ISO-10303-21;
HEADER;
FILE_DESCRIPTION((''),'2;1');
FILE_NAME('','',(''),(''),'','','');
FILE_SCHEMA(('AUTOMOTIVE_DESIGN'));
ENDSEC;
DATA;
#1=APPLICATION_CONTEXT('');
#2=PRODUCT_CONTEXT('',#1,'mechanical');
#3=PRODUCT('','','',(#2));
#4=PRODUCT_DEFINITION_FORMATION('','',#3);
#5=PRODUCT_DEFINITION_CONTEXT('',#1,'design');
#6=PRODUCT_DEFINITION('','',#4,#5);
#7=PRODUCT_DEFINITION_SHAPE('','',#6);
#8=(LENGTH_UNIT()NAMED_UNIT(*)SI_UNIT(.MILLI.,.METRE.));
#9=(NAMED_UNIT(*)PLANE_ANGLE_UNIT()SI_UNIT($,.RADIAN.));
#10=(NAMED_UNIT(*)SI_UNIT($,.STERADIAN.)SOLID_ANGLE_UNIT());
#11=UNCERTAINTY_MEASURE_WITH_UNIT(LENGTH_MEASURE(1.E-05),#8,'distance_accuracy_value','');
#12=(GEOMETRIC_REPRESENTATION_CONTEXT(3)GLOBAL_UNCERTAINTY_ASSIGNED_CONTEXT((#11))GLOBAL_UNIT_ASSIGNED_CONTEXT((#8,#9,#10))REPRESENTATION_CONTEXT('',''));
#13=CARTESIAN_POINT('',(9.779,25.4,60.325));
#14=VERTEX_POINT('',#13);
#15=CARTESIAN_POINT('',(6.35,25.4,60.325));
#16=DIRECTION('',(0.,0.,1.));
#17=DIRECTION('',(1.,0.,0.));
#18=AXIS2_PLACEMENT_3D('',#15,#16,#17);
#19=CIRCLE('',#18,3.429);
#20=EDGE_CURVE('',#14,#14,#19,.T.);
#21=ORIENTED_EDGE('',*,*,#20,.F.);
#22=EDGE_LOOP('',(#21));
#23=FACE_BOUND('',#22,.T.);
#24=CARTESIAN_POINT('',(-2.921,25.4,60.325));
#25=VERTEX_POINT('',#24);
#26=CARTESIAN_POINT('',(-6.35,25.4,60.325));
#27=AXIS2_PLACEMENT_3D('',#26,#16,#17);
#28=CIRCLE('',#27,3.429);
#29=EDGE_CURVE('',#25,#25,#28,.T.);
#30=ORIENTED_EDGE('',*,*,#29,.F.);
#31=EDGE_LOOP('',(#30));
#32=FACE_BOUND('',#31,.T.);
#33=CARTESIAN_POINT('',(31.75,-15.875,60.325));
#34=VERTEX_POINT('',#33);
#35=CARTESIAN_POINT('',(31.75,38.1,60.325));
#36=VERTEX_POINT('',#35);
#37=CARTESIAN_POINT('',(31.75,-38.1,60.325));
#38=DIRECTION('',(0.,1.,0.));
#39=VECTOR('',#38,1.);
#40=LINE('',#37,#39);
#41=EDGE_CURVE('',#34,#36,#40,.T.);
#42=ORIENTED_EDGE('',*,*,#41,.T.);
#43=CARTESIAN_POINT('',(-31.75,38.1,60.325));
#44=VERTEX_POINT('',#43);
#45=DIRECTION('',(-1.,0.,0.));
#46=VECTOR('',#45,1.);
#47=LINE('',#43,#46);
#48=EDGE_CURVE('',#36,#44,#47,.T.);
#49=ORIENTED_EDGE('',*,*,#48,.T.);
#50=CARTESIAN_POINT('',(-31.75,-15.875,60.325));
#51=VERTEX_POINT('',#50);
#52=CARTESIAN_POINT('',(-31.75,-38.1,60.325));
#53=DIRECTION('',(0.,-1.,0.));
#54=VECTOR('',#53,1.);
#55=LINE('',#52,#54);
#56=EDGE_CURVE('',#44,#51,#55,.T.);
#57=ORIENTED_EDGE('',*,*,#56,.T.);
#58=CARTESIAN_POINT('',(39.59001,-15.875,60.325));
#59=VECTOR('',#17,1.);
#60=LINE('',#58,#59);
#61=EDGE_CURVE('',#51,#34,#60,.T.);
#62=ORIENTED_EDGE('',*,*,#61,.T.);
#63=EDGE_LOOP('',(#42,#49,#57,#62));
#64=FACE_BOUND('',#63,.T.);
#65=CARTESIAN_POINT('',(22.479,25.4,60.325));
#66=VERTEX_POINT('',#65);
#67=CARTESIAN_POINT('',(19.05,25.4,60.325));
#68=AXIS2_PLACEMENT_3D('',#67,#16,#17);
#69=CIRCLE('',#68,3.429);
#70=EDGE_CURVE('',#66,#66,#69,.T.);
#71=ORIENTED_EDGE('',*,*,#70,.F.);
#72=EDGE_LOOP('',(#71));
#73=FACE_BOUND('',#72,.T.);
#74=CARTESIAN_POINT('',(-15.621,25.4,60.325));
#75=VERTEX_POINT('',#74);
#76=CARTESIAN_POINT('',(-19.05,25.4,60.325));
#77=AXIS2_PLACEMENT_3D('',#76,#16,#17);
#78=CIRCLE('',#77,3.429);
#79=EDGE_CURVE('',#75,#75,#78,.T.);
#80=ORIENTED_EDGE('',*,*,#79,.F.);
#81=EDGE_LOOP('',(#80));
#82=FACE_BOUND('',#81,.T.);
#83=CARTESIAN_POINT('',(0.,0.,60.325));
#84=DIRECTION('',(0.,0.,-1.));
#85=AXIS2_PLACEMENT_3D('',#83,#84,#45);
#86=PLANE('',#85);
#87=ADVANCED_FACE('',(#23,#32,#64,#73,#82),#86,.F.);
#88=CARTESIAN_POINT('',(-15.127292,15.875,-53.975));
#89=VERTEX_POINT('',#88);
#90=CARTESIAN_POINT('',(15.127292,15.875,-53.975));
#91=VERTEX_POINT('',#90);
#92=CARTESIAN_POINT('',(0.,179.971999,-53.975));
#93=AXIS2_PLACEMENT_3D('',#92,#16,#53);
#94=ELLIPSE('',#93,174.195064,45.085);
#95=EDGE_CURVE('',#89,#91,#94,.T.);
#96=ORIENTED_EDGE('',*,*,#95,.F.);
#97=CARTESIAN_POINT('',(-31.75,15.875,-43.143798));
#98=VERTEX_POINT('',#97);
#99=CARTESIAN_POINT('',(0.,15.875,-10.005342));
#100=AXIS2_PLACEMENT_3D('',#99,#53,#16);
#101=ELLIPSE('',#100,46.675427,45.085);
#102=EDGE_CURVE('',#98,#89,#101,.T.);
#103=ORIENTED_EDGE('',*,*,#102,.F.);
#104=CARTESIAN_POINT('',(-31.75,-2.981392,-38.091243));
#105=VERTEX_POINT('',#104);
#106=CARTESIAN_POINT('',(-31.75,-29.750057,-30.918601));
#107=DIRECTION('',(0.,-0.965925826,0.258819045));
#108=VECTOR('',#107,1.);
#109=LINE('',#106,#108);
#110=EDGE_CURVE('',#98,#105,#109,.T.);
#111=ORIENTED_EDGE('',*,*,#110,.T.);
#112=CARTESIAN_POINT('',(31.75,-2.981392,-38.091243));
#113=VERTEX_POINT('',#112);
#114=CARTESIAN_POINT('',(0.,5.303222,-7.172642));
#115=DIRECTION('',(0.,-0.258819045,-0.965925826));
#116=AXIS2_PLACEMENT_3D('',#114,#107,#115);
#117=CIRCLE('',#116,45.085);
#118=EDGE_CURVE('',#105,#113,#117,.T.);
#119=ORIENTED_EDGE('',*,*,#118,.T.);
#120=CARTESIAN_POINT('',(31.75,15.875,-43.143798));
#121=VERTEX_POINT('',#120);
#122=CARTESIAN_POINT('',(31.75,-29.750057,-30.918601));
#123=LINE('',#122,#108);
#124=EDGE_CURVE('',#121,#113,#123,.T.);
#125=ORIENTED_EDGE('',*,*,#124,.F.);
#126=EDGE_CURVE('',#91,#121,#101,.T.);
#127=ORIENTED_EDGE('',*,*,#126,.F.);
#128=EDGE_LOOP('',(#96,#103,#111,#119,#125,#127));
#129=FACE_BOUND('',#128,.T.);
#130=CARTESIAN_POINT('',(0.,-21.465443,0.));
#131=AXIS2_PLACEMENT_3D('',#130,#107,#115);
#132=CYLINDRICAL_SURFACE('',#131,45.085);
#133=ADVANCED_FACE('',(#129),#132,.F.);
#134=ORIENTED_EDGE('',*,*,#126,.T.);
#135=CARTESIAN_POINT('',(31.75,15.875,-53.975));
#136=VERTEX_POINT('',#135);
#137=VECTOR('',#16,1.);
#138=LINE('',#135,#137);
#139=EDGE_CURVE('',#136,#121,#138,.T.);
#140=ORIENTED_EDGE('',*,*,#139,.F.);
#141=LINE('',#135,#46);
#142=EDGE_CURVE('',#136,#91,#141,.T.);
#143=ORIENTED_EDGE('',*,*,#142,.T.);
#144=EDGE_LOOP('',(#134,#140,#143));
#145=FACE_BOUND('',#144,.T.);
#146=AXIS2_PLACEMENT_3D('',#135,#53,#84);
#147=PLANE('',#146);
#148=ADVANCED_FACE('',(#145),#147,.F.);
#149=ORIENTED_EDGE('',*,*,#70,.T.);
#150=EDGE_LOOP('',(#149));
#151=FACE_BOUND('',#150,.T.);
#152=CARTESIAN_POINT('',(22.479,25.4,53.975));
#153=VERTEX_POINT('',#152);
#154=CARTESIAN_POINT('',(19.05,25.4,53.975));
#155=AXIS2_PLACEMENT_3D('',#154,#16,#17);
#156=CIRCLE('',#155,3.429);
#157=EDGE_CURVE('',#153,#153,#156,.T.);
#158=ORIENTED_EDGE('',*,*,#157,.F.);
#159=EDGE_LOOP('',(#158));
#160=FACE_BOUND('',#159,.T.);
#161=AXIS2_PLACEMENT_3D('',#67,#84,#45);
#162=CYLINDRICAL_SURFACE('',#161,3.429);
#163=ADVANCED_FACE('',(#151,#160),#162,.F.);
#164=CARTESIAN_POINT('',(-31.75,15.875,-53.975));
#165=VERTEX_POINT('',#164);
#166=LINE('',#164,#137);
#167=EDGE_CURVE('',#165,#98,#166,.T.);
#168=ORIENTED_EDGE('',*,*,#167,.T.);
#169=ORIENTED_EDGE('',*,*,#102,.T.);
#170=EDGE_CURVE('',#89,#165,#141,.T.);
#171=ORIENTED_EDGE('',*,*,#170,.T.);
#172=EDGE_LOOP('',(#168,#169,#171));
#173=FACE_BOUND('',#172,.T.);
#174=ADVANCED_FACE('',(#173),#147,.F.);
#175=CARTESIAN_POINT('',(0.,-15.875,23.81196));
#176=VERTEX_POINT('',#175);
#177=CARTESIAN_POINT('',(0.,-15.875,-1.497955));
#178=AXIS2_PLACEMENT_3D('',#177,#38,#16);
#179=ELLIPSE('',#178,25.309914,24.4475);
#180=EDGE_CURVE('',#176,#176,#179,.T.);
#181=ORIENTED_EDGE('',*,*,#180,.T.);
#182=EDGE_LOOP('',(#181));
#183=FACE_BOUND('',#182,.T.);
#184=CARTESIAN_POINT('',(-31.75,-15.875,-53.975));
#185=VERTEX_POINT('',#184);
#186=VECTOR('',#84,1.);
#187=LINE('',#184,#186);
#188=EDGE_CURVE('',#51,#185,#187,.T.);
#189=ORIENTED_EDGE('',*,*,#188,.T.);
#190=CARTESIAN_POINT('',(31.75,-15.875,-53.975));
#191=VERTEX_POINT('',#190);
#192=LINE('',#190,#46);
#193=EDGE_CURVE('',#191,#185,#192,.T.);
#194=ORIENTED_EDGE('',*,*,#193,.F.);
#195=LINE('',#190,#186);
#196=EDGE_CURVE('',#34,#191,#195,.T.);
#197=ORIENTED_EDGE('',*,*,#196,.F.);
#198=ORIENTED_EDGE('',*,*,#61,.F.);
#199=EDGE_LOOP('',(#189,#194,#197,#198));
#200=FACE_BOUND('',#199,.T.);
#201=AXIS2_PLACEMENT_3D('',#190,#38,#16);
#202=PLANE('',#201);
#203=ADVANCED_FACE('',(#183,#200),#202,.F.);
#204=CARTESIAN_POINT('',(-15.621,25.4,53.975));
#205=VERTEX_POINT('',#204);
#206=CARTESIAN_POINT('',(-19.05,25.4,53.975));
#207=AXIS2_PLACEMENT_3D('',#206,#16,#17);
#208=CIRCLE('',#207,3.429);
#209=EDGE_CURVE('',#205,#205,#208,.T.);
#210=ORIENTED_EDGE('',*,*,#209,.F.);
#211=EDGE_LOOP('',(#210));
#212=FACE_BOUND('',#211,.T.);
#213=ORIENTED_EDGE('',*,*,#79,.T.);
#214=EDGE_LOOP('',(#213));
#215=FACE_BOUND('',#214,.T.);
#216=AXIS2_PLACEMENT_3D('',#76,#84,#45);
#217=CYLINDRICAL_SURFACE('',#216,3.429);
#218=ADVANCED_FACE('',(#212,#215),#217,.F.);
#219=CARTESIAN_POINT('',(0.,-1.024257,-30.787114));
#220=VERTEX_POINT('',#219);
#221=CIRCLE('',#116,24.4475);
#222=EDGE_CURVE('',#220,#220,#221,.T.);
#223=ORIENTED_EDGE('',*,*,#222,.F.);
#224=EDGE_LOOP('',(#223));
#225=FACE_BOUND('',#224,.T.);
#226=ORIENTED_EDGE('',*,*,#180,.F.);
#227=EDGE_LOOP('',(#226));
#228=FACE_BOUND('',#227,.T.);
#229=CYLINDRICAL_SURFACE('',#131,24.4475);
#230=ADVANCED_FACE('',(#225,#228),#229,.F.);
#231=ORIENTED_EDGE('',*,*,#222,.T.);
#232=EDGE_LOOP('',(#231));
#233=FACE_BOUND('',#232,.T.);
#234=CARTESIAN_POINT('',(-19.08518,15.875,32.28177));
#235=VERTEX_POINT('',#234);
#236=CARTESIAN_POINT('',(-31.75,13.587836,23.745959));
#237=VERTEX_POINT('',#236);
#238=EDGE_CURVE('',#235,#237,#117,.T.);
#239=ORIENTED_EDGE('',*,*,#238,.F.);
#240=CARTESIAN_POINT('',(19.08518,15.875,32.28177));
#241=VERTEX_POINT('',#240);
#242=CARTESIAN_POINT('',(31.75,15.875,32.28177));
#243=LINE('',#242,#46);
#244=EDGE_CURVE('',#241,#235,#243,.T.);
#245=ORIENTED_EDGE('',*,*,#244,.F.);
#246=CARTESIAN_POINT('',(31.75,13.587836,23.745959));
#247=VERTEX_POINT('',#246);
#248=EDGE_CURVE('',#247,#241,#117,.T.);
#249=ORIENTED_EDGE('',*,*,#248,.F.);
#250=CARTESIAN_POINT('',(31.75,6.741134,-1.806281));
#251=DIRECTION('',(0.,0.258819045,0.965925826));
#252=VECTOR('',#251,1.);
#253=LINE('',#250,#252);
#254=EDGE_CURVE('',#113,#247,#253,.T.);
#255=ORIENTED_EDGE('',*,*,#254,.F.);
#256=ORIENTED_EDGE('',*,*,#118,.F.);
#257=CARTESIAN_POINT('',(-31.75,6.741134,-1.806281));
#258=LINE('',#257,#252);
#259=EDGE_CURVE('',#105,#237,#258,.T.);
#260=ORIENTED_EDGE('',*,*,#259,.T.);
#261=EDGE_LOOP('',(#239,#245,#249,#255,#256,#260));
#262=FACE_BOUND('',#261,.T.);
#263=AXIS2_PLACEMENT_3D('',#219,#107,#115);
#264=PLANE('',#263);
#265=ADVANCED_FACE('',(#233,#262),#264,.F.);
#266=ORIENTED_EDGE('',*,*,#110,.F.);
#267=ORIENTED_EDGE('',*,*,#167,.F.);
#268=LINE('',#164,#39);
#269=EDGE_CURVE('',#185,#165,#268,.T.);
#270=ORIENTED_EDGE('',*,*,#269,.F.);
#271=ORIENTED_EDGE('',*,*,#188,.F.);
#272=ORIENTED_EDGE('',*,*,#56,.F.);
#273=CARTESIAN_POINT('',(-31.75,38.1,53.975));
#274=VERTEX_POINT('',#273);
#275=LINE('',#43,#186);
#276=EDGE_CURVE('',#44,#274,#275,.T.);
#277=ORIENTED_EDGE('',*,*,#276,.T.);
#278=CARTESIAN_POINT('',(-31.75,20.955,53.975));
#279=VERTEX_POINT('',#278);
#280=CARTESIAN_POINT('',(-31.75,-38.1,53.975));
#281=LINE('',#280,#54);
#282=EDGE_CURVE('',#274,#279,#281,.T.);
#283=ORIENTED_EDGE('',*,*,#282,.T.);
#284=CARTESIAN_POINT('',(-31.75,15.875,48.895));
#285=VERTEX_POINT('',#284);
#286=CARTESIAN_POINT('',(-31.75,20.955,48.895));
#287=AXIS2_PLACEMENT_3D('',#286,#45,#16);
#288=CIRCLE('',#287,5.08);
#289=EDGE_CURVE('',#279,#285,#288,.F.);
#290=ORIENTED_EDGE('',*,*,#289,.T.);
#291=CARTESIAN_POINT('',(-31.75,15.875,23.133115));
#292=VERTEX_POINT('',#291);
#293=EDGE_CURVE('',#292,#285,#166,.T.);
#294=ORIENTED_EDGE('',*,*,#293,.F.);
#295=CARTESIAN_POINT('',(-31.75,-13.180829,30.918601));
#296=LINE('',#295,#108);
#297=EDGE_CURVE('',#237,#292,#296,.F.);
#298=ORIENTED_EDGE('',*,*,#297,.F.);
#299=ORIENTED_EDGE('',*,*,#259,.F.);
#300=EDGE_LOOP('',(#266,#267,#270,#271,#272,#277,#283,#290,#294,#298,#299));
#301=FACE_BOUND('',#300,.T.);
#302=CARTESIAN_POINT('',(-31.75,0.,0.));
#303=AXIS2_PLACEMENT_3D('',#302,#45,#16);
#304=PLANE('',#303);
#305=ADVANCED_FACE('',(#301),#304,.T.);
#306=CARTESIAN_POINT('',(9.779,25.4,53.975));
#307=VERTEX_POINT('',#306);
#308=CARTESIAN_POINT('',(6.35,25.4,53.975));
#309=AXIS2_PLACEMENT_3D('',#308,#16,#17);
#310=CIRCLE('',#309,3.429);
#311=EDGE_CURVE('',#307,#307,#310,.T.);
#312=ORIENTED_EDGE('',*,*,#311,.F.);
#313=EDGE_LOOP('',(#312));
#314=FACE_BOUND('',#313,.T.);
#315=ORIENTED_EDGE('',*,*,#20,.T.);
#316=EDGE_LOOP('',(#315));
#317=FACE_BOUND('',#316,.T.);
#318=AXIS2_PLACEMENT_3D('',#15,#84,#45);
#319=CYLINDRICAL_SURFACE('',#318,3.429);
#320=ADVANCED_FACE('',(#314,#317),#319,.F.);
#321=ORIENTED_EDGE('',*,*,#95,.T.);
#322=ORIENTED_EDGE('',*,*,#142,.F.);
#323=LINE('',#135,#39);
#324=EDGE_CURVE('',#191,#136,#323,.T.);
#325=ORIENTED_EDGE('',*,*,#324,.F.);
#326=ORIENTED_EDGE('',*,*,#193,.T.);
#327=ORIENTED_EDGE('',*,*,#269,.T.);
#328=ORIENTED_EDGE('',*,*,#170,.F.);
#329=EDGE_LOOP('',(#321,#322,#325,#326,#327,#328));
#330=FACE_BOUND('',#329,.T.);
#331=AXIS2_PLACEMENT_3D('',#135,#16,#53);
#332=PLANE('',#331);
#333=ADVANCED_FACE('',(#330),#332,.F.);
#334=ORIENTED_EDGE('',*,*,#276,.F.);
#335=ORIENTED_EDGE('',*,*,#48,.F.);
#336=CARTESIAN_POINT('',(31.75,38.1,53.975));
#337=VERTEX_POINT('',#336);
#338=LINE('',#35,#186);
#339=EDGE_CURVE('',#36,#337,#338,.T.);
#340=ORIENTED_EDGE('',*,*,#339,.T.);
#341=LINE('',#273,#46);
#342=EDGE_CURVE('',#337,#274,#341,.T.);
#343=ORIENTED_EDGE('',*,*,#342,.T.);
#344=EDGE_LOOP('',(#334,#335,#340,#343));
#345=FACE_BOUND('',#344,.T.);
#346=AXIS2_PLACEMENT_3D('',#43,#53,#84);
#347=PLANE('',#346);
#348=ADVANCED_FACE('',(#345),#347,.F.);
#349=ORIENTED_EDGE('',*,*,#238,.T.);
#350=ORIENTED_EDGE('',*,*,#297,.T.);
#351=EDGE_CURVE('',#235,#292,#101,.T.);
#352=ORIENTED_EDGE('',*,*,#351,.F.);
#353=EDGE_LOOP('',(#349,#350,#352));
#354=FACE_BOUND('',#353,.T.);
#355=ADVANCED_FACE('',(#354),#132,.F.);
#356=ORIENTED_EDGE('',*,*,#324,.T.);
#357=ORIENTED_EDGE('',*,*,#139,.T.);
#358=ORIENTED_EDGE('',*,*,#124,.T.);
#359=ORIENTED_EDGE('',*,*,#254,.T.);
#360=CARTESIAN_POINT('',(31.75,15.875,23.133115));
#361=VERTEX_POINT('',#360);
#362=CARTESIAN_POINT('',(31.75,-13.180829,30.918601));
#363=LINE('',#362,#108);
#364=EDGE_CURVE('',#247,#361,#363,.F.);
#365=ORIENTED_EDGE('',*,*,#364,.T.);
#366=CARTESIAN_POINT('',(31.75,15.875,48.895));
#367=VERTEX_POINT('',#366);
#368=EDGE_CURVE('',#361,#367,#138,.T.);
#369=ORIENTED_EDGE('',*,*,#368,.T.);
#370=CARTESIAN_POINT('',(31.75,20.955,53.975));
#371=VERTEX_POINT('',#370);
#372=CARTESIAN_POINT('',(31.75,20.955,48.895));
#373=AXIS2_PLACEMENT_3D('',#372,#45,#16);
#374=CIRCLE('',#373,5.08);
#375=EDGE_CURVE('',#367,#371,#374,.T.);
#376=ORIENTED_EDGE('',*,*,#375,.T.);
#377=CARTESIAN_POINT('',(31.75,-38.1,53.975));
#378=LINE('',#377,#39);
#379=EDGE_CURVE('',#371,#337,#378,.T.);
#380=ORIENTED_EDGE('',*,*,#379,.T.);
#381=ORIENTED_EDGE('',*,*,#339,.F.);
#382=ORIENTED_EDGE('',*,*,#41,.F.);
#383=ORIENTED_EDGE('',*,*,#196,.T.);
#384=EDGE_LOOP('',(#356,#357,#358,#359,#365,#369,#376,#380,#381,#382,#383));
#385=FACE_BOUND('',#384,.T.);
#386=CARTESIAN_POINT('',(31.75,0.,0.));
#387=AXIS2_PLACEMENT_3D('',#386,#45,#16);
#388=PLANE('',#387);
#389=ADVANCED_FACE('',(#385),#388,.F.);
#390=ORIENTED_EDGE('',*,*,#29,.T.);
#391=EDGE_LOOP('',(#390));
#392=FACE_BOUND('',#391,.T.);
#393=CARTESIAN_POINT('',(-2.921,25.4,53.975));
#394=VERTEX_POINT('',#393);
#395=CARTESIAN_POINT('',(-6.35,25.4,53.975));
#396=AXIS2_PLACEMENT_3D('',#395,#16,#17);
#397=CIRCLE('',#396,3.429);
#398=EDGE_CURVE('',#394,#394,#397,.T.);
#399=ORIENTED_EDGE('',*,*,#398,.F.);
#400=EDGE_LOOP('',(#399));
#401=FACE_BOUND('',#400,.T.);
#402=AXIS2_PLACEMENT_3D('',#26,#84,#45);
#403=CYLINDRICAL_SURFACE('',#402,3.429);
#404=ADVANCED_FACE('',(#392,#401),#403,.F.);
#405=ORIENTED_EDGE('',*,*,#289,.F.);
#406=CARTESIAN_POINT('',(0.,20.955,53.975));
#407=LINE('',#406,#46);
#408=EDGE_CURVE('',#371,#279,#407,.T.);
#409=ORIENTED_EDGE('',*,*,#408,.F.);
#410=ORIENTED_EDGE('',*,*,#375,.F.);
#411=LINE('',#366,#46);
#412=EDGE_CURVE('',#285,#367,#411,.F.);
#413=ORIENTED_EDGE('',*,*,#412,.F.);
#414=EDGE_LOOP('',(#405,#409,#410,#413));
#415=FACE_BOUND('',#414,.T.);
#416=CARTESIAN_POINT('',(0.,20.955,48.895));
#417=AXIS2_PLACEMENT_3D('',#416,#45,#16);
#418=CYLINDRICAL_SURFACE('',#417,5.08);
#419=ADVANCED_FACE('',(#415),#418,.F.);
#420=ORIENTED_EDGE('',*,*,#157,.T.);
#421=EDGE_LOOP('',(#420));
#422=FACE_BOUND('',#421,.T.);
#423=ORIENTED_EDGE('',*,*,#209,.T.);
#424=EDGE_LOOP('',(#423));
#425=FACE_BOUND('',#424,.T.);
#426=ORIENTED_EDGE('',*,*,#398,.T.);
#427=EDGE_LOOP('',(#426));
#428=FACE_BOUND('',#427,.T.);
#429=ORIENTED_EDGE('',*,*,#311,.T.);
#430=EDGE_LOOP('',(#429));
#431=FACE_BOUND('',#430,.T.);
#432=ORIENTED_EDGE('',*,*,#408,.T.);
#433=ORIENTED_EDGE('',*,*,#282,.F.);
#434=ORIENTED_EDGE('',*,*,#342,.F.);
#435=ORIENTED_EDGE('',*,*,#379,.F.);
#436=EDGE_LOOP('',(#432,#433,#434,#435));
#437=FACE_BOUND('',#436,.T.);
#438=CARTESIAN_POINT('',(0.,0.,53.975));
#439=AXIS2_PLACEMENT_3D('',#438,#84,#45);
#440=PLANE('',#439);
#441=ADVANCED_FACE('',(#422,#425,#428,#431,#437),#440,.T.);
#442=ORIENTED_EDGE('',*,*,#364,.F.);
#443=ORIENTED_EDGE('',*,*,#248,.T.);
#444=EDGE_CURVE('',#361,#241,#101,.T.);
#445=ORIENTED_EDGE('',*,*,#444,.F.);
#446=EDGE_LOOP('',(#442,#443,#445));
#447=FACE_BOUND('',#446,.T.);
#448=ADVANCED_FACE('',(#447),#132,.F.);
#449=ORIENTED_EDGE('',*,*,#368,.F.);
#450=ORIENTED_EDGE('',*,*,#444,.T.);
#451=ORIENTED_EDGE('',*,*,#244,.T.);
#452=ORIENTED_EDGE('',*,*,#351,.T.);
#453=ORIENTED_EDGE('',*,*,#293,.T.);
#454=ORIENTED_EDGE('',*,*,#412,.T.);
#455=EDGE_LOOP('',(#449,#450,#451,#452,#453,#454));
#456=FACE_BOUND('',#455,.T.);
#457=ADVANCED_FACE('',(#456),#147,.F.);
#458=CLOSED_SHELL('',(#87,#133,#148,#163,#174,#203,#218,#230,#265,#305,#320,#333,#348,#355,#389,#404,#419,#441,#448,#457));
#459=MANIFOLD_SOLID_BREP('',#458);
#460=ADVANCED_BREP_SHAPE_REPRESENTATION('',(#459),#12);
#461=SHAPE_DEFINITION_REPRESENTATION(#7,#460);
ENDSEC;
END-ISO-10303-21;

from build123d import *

# Parameters (mm, degrees)
SKETCH1_W               = 107.95
SKETCH1_H               = 31.75
BOSS_EXTRUDE1_DEPTH     = 31.75
SKETCH3_W               = 63.5
SKETCH3_H               = 76.2
SKETCH3_R               = 3.429
BOSS_EXTRUDE2_DEPTH     = 6.35
FILLET1_R               = 5.08
CUT_EXTRUDE1_DEPTH      = 119.79762203
CUT_EXTRUDE1_DEPTH_BACK = 119.79762203
SKETCH4_W               = 78.111463513
SKETCH4_H               = 26.600111828


with BuildPart() as part:
    # Sketch1 → Boss-Extrude1 (new, symmetric)
    with BuildSketch(Plane(origin=(0, 0, 0), x_dir=(0, 0, -1), z_dir=(1, 0, 0))):
        Rectangle(SKETCH1_W, SKETCH1_H)
    extrude(amount=BOSS_EXTRUDE1_DEPTH, both=True)

    # Sketch2 → Cut-Revolve1 (revolve, cut)
    with BuildSketch(Plane(origin=(0, 0, 0), x_dir=(0, 0, -1), z_dir=(1, 0, 0))):
        Polygon((30.787113889, -1.024256513), (21.709471638, -34.902478605), (-1.905, -28.575), (15.934173595, 38.001702221), (59.482939473, 26.332845573), (50.721408129, -6.365634557), align=None)
    revolve(axis=Axis((0, -21.465443212, 0), (0, 0.9659258262890701, -0.2588190451025143)), mode=Mode.SUBTRACT)

    # Sketch3 → Boss-Extrude2 (add)
    with BuildSketch(Plane.XY.offset(53.975)):
        Rectangle(SKETCH3_W, SKETCH3_H)
        with Locations((-19.05, 25.4)):
            Circle(SKETCH3_R, mode=Mode.SUBTRACT)
        with Locations((-6.35, 25.4)):
            Circle(SKETCH3_R, mode=Mode.SUBTRACT)
        with Locations((6.35, 25.4)):
            Circle(SKETCH3_R, mode=Mode.SUBTRACT)
        with Locations((19.05, 25.4)):
            Circle(SKETCH3_R, mode=Mode.SUBTRACT)
        with Locations((-6.35, -25.4)):
            Circle(SKETCH3_R, mode=Mode.SUBTRACT)
        with Locations((6.35, -25.4)):
            Circle(SKETCH3_R, mode=Mode.SUBTRACT)
        with Locations((19.05, -25.4)):
            Circle(SKETCH3_R, mode=Mode.SUBTRACT)
        with Locations((-19.05, -25.4)):
            Circle(SKETCH3_R, mode=Mode.SUBTRACT)
    extrude(amount=BOSS_EXTRUDE2_DEPTH)

    # Fillet1
    fillet1_edges = [part.edges().sort_by_distance(p)[0] for p in [
        (0, 15.875, 53.975),
        (0, -15.875, 53.975),
    ]]
    fillet(fillet1_edges, radius=FILLET1_R)

    # Sketch4 → Cut-Extrude1 (cut, two sides: drawn at the far end of the back side and taken through both)
    with BuildSketch(Plane(origin=(0, 0, 53.975), x_dir=(-1, 0, 0), z_dir=(0, 0, -1)).offset(-CUT_EXTRUDE1_DEPTH_BACK)):
        with Locations((-0.534278136, -29.175055914)):
            Rectangle(SKETCH4_W, SKETCH4_H)
    extrude(amount=CUT_EXTRUDE1_DEPTH + CUT_EXTRUDE1_DEPTH_BACK, mode=Mode.SUBTRACT)


solid = part.part
